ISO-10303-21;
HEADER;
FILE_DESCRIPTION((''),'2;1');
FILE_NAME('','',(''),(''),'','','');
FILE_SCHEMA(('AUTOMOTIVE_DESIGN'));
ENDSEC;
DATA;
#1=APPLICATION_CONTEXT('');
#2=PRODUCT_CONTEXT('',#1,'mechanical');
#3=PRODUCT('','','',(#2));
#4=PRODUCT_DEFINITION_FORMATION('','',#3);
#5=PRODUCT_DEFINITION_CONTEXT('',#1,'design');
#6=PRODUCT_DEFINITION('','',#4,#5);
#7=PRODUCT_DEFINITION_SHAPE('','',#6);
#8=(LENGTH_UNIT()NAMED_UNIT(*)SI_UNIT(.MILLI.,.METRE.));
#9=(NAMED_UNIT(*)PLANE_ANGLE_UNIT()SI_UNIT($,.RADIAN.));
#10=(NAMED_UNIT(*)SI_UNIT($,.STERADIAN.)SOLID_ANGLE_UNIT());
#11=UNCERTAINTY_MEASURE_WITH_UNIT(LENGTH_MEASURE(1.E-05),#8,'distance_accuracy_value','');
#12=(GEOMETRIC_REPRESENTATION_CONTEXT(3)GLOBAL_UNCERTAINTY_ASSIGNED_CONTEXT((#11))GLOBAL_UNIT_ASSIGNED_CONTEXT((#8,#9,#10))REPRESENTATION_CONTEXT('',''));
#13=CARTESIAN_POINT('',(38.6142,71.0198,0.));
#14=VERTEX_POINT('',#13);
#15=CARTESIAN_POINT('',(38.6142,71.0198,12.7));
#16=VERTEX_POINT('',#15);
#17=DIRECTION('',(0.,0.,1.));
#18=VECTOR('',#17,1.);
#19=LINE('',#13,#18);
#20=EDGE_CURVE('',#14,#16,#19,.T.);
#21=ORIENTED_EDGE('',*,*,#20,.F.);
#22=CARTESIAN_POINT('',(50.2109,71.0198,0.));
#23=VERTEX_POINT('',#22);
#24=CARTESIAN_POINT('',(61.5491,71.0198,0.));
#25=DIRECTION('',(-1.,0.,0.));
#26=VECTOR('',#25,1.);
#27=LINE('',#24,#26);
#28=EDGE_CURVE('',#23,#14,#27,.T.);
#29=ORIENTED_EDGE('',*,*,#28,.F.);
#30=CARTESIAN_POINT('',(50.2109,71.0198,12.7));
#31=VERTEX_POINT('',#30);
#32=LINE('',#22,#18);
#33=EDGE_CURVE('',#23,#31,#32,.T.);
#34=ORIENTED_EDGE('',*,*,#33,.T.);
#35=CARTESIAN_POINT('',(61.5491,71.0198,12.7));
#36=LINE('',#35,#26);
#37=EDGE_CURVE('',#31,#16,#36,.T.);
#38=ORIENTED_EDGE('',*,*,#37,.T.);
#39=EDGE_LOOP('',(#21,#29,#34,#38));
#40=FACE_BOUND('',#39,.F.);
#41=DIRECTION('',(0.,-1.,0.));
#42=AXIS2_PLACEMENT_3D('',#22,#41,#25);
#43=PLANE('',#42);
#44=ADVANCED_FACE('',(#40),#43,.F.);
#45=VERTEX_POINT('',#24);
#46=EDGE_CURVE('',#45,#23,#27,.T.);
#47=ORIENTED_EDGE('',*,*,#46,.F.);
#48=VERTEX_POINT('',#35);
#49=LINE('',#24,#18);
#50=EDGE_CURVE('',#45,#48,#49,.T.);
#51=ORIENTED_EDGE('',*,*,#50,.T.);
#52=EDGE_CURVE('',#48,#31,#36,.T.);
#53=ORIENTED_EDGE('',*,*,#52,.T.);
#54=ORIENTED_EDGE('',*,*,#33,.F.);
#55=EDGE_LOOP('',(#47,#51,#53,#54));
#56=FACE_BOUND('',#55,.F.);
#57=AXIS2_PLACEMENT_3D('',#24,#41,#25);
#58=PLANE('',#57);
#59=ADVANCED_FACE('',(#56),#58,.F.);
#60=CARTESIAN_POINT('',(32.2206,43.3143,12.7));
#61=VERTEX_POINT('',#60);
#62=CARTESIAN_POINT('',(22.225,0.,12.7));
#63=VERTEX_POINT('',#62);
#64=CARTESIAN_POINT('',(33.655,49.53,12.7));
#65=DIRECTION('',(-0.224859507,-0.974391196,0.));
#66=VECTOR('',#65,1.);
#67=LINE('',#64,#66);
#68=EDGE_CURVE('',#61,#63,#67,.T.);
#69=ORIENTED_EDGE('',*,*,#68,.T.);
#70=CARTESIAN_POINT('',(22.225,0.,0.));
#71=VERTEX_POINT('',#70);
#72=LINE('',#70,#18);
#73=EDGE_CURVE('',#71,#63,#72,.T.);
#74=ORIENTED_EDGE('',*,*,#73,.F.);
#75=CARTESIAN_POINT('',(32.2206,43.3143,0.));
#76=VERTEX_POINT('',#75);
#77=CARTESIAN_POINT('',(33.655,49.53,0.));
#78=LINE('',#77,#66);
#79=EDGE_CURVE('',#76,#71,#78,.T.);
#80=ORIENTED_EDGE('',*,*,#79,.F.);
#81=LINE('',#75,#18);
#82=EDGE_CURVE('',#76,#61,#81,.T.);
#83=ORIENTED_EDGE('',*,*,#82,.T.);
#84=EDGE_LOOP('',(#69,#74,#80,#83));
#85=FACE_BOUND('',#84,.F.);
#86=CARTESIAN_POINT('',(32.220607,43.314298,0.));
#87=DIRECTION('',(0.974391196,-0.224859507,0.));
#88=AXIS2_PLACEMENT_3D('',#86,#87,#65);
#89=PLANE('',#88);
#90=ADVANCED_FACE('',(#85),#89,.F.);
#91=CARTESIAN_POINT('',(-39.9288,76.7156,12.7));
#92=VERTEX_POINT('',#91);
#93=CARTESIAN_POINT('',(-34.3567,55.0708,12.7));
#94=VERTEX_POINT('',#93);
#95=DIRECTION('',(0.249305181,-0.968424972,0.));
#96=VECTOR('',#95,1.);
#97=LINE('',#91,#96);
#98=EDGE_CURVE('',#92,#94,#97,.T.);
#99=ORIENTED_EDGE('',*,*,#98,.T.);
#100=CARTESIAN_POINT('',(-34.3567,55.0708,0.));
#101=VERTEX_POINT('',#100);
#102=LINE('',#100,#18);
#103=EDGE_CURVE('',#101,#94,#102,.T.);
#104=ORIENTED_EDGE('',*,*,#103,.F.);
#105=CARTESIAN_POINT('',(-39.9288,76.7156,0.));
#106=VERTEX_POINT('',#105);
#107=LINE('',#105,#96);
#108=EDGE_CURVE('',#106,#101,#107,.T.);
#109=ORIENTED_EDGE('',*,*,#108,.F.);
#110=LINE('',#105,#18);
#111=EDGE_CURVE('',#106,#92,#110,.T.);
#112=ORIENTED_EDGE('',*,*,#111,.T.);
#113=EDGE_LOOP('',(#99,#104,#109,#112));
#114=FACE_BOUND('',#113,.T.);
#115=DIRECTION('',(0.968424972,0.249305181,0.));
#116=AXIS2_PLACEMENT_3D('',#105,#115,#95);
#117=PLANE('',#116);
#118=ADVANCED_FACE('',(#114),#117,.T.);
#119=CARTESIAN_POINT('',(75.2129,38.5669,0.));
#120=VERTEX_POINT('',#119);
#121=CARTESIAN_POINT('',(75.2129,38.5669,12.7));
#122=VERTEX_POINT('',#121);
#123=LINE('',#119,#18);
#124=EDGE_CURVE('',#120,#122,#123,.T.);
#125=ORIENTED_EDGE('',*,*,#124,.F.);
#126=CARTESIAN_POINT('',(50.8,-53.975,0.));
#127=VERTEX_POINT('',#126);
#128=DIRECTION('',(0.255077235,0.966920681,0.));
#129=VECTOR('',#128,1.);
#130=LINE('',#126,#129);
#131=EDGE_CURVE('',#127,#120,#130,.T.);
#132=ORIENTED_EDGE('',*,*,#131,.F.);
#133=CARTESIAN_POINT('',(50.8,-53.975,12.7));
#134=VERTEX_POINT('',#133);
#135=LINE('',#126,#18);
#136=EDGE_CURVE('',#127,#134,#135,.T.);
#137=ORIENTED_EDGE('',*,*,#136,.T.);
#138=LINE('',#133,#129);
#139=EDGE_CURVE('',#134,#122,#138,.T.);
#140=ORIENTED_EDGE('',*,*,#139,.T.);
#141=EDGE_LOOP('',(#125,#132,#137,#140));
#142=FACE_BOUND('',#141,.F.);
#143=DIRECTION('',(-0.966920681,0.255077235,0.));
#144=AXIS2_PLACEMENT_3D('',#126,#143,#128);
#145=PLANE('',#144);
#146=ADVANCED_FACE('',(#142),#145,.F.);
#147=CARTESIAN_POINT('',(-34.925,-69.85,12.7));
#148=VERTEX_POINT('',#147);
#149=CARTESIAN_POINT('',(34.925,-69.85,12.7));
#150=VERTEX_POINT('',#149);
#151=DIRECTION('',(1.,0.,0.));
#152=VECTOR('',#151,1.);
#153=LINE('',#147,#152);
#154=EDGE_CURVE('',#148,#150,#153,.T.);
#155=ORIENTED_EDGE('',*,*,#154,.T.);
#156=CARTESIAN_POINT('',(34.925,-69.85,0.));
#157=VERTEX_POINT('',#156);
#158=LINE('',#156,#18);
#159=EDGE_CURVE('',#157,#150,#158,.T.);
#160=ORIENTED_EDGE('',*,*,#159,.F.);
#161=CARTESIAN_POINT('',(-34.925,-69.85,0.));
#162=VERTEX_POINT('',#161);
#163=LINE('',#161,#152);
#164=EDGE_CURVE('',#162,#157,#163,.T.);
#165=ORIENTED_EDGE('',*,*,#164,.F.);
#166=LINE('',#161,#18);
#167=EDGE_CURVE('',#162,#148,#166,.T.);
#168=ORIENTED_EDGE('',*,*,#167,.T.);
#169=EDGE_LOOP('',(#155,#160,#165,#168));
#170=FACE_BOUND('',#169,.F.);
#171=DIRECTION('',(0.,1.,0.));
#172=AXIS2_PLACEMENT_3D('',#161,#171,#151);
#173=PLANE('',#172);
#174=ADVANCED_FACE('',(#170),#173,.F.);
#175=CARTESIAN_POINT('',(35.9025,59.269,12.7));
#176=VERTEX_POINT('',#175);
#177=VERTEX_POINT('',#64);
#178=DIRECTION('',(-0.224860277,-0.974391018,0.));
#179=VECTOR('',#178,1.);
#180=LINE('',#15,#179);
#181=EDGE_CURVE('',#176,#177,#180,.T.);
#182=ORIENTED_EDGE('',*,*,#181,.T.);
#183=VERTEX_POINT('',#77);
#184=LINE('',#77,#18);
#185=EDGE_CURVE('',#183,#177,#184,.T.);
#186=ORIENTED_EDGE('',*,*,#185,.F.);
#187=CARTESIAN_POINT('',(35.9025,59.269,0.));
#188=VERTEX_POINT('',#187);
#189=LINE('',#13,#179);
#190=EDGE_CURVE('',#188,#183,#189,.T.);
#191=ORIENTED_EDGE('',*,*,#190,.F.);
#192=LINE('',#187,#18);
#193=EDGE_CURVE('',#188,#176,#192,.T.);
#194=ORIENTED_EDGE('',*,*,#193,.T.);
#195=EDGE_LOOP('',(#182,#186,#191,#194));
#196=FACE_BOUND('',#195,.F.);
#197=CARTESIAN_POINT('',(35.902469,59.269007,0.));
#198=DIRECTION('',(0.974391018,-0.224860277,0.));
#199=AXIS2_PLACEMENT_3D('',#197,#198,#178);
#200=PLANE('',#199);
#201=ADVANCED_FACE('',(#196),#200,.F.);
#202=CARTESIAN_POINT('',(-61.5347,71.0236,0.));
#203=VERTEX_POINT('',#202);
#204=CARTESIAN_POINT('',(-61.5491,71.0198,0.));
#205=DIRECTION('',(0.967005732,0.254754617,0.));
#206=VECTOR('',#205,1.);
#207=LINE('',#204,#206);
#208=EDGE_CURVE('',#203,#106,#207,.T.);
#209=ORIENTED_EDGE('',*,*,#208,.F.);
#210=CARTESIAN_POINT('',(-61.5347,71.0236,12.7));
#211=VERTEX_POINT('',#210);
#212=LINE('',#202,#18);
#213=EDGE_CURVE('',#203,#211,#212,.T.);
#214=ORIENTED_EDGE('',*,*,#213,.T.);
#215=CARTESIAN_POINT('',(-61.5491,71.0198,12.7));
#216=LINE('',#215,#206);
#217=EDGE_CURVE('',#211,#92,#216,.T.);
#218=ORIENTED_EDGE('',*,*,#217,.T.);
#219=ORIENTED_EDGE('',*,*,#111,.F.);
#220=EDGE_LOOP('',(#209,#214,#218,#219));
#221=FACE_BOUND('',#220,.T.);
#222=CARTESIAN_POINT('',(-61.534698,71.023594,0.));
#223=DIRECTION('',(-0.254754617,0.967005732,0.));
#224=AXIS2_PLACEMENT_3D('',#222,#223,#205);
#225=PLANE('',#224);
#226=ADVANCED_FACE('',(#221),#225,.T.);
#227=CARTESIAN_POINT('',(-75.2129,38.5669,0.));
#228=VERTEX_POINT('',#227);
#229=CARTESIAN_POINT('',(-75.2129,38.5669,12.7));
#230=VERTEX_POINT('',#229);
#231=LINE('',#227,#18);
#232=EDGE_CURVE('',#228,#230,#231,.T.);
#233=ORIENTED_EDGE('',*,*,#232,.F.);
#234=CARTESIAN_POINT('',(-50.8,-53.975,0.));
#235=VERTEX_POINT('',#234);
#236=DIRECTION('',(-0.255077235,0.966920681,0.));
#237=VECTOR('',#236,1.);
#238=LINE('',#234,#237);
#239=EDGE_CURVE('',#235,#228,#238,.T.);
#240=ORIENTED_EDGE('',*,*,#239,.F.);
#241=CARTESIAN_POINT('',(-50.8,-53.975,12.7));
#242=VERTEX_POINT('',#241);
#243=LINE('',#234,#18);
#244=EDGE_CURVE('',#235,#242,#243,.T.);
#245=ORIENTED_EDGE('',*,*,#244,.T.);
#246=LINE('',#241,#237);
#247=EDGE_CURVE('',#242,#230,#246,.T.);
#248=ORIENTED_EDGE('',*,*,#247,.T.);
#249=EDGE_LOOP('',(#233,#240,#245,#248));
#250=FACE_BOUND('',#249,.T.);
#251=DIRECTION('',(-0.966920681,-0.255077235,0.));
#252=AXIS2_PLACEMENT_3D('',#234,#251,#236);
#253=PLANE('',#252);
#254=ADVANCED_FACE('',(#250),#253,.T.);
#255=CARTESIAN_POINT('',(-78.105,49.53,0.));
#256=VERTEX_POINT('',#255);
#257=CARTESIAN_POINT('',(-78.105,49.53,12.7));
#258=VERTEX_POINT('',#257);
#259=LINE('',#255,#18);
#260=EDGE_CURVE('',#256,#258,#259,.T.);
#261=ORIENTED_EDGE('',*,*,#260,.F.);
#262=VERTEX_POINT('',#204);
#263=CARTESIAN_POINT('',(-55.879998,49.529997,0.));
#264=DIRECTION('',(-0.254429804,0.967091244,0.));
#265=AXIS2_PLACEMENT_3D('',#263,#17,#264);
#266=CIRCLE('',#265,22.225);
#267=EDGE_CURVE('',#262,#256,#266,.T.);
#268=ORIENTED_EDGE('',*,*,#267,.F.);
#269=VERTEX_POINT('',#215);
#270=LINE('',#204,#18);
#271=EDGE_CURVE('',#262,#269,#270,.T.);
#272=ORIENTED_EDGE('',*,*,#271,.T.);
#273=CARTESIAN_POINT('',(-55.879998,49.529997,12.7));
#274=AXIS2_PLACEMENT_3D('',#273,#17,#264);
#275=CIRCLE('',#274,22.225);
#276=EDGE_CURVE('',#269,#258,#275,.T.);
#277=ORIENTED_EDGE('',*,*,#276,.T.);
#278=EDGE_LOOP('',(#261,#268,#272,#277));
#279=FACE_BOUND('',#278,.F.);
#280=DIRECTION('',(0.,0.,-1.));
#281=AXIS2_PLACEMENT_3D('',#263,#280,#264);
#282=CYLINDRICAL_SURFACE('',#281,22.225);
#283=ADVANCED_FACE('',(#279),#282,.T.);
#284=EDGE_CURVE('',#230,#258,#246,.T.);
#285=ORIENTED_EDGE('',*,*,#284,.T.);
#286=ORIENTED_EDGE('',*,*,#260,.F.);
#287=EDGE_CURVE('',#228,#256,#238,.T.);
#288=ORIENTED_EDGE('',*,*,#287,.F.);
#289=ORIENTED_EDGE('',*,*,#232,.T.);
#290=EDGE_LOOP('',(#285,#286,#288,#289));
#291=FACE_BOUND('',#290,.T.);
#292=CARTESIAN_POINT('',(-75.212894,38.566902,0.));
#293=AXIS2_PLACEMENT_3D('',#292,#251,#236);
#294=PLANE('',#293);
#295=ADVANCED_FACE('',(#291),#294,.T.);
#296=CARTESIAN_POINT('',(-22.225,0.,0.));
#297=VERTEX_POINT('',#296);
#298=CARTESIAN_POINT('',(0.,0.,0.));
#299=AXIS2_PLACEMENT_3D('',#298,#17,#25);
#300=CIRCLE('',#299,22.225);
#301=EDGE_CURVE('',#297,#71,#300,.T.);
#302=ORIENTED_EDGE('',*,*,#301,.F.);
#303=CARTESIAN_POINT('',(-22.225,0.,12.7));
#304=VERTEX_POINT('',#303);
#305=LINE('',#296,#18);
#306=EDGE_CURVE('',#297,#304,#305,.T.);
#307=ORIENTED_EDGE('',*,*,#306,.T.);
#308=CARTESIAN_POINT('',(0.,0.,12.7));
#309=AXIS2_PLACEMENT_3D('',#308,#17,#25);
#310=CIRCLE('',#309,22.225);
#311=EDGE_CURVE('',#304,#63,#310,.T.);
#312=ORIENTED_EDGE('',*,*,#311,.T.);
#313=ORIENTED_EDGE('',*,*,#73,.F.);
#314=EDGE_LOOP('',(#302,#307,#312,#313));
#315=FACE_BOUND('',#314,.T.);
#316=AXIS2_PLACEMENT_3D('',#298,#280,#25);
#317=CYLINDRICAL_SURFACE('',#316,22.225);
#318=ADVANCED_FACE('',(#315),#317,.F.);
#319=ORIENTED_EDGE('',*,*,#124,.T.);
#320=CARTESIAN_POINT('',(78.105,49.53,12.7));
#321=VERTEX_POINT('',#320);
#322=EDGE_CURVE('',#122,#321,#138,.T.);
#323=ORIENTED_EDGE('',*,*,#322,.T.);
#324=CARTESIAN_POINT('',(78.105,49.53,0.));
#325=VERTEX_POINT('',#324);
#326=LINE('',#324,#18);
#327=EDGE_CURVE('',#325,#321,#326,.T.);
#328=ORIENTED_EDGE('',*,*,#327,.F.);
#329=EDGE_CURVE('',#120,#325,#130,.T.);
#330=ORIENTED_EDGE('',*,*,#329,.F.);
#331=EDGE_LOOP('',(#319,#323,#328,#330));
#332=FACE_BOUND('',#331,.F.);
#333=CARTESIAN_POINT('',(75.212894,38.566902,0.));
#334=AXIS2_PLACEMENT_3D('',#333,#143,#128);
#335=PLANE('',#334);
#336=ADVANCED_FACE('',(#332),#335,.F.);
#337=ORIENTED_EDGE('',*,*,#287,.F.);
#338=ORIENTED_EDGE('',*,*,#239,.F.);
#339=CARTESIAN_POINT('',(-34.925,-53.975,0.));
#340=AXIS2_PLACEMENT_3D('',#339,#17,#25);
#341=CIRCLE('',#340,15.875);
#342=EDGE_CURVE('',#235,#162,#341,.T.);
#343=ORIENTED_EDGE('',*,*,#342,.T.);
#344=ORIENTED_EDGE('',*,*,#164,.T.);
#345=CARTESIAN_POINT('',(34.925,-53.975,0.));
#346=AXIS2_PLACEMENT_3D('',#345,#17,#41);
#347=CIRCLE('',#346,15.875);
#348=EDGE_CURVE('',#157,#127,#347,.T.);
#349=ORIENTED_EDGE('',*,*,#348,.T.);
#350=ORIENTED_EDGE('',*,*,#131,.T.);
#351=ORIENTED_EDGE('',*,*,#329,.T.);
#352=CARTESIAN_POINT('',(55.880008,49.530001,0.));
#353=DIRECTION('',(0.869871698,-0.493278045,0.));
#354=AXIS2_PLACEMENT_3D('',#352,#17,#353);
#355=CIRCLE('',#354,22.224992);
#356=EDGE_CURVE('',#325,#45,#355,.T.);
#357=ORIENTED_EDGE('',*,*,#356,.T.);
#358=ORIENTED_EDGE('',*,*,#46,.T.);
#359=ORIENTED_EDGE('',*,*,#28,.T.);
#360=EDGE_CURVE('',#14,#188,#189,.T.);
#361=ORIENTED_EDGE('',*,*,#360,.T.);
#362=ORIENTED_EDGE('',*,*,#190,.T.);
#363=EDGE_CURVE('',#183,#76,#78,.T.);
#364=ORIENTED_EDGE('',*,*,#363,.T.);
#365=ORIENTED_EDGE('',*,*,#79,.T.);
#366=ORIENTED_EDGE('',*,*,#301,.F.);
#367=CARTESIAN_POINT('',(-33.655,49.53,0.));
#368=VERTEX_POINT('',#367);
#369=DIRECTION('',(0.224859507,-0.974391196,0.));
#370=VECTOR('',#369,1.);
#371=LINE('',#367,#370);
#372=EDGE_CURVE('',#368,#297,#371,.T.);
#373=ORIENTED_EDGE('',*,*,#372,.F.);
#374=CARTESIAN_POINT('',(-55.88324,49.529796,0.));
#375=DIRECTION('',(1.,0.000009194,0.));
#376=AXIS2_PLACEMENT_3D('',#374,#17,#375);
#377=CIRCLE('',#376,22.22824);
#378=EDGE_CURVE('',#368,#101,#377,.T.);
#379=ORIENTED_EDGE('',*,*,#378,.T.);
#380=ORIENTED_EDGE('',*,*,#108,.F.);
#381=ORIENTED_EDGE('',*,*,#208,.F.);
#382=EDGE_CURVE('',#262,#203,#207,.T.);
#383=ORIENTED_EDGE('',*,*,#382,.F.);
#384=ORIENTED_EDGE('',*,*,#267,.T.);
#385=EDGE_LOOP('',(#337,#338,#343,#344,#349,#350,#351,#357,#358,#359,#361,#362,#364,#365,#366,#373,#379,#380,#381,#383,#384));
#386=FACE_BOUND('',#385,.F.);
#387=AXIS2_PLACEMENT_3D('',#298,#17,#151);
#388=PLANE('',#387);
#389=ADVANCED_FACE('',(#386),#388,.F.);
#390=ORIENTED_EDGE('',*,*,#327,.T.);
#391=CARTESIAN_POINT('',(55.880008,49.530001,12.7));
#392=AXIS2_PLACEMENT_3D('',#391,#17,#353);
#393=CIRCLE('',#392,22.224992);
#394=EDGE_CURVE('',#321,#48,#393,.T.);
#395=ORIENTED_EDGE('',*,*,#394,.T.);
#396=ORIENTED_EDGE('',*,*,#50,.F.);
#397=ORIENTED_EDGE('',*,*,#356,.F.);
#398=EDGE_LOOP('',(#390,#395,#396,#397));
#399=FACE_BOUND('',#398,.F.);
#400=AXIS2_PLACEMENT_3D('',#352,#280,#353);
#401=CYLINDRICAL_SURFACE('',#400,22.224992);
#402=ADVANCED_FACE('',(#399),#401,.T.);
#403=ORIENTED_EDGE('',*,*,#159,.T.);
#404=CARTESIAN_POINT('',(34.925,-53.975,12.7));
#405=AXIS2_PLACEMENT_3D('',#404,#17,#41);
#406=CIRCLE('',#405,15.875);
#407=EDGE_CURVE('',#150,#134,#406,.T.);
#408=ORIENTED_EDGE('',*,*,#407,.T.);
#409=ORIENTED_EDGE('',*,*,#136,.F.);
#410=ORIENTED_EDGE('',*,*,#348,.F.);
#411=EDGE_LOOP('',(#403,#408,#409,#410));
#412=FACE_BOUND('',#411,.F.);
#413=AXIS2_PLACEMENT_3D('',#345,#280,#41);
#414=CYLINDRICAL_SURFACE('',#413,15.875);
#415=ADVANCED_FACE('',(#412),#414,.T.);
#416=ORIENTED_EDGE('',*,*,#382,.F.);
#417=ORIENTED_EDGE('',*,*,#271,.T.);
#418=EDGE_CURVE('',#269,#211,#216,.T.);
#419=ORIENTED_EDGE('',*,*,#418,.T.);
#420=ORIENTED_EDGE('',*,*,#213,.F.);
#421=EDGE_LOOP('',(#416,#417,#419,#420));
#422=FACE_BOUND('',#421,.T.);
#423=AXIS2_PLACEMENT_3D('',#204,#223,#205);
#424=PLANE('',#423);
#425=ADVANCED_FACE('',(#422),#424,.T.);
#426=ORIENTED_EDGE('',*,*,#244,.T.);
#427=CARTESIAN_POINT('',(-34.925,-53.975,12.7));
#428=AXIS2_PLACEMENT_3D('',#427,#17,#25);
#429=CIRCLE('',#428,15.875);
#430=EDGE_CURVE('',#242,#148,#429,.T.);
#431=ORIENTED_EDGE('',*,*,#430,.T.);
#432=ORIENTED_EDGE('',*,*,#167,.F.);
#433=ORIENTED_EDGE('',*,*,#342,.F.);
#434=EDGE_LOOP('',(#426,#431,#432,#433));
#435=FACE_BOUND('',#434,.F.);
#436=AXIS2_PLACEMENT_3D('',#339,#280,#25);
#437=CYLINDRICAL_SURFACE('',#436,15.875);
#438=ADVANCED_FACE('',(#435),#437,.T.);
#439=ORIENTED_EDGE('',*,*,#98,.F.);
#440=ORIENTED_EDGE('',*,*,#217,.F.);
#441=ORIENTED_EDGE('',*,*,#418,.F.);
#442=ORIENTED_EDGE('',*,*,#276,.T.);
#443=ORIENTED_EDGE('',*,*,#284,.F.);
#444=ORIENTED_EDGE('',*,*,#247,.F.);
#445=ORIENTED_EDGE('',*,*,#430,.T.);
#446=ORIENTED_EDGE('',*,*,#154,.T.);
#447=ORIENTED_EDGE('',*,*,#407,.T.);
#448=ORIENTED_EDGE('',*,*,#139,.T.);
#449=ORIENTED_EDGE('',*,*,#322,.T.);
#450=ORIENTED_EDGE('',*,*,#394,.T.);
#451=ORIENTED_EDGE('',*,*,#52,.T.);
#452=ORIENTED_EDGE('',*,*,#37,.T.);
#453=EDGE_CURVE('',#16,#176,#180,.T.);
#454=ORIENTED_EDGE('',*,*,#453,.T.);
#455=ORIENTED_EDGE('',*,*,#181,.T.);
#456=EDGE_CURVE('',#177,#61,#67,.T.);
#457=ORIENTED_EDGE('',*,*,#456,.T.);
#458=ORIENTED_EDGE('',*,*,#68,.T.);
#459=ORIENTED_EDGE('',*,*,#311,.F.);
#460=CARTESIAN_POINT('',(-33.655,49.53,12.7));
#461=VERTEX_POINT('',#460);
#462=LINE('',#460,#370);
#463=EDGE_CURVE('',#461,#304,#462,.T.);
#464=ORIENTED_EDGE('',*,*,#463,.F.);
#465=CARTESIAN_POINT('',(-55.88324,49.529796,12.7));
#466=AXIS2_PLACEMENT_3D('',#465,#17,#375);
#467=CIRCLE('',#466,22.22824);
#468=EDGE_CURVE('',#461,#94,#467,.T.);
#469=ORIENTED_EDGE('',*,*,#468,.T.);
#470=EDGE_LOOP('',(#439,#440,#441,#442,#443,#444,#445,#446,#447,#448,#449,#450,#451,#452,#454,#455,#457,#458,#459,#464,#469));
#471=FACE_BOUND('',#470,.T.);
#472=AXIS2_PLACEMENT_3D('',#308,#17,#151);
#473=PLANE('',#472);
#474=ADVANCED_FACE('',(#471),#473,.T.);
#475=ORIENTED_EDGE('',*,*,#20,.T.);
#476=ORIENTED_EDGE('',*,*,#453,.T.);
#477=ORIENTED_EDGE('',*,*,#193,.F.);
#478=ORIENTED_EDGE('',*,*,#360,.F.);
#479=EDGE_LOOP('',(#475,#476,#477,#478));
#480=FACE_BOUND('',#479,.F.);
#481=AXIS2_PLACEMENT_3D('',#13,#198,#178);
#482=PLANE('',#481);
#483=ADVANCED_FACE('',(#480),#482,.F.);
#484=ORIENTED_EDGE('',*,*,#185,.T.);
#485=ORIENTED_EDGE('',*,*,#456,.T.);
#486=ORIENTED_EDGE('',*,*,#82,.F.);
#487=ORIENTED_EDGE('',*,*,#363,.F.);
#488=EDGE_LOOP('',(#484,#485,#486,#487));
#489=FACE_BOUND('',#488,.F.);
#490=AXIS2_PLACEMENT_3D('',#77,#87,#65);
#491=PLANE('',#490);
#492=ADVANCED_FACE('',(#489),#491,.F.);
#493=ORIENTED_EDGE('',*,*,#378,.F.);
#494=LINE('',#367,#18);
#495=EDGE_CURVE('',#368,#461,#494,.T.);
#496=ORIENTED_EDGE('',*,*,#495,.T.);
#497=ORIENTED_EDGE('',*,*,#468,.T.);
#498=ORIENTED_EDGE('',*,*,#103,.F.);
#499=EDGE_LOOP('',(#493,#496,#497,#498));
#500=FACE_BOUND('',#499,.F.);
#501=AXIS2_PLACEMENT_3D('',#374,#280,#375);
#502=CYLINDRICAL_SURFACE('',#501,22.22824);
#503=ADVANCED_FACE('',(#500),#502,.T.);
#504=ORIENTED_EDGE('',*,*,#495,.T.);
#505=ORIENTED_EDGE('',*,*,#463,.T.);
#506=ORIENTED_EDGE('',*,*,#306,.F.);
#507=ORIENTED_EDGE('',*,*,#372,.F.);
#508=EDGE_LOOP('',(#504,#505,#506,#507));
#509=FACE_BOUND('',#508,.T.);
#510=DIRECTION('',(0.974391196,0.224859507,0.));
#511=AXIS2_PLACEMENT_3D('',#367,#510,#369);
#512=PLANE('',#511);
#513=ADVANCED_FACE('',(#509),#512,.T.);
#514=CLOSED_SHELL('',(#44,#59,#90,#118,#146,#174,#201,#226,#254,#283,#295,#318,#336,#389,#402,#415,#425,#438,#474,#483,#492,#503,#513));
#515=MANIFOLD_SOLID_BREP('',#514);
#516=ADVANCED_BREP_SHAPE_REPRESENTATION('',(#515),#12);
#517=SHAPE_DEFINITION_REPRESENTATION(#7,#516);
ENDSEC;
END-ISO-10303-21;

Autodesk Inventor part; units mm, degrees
ref_plane "YZ Plane" through (0, 0, 0) normal (1, 0, 0) x (0, 1, 0)
ref_plane "XZ Plane" through (0, 0, 0) normal (0, 1, 0) x (-1, 0, 0)
ref_plane "XY Plane" through (0, 0, 0) normal (0, 0, 1) x (1, 0, 0)
sketch "Sketch1" plane through (0, 0, 0) normal (0, 0, 1) x (1, 0, 0)
  arc A0 (-22.225, 0) -> (22.225, 0) centre (0, 0) ccw
  arc A1 (34.925, -69.85) -> (50.8, -53.975) centre (34.925, -53.975) ccw
  arc A2 (-50.8, -53.975) -> (-34.925, -69.85) centre (-34.925, -53.975) ccw
  line L0 (-34.925, -69.85) -> (34.925, -69.85)
  line L1 (-50.8, -53.975) -> (-78.105, 49.53)
  line L2 (50.8, -53.975) -> (78.105, 49.53)
  line L3 (-33.655, 49.53) -> (-22.225, 0)
  line L4 (33.655, 49.53) -> (22.225, 0)
  line L5 (-61.5491, 71.0198) -> (-39.9288, 76.7156)
  line L6 (-39.9288, 76.7156) -> (-34.3567, 55.0708)
  line L7 (61.5491, 71.0198) -> (38.6142, 71.0198)
  line L8 (38.6142, 71.0198) -> (32.2206, 43.3143)
  arc A3 (-33.655, 49.53) -> (-34.3567, 55.0708) centre (-55.88, 49.53) ccw
  arc A4 (-61.5347, 71.0236) -> (-75.2129, 38.5669) centre (-55.88, 49.53) ccw
  arc A5 (75.2129, 38.5669) -> (50.2109, 71.0198) centre (55.88, 49.53) ccw
  arc A6 (35.9025, 59.269) -> (33.655, 49.53) centre (55.88, 49.53) ccw
  dimension "d1" = 31.75
  dimension "d5" = 31.75
  dimension "d8" = 34.925
  dimension "d11" = 69.85
  dimension "d15" = 119.38
  dimension "d16" = 55.88
extrude "Extrusion1" add sketch "Sketch1" along normal blind 12.7 contours A0 L4 L8 L7 A5 L2 A1 L0 A2 L1 A4 L5 L6 A3 L3
properties part number "4-2"
